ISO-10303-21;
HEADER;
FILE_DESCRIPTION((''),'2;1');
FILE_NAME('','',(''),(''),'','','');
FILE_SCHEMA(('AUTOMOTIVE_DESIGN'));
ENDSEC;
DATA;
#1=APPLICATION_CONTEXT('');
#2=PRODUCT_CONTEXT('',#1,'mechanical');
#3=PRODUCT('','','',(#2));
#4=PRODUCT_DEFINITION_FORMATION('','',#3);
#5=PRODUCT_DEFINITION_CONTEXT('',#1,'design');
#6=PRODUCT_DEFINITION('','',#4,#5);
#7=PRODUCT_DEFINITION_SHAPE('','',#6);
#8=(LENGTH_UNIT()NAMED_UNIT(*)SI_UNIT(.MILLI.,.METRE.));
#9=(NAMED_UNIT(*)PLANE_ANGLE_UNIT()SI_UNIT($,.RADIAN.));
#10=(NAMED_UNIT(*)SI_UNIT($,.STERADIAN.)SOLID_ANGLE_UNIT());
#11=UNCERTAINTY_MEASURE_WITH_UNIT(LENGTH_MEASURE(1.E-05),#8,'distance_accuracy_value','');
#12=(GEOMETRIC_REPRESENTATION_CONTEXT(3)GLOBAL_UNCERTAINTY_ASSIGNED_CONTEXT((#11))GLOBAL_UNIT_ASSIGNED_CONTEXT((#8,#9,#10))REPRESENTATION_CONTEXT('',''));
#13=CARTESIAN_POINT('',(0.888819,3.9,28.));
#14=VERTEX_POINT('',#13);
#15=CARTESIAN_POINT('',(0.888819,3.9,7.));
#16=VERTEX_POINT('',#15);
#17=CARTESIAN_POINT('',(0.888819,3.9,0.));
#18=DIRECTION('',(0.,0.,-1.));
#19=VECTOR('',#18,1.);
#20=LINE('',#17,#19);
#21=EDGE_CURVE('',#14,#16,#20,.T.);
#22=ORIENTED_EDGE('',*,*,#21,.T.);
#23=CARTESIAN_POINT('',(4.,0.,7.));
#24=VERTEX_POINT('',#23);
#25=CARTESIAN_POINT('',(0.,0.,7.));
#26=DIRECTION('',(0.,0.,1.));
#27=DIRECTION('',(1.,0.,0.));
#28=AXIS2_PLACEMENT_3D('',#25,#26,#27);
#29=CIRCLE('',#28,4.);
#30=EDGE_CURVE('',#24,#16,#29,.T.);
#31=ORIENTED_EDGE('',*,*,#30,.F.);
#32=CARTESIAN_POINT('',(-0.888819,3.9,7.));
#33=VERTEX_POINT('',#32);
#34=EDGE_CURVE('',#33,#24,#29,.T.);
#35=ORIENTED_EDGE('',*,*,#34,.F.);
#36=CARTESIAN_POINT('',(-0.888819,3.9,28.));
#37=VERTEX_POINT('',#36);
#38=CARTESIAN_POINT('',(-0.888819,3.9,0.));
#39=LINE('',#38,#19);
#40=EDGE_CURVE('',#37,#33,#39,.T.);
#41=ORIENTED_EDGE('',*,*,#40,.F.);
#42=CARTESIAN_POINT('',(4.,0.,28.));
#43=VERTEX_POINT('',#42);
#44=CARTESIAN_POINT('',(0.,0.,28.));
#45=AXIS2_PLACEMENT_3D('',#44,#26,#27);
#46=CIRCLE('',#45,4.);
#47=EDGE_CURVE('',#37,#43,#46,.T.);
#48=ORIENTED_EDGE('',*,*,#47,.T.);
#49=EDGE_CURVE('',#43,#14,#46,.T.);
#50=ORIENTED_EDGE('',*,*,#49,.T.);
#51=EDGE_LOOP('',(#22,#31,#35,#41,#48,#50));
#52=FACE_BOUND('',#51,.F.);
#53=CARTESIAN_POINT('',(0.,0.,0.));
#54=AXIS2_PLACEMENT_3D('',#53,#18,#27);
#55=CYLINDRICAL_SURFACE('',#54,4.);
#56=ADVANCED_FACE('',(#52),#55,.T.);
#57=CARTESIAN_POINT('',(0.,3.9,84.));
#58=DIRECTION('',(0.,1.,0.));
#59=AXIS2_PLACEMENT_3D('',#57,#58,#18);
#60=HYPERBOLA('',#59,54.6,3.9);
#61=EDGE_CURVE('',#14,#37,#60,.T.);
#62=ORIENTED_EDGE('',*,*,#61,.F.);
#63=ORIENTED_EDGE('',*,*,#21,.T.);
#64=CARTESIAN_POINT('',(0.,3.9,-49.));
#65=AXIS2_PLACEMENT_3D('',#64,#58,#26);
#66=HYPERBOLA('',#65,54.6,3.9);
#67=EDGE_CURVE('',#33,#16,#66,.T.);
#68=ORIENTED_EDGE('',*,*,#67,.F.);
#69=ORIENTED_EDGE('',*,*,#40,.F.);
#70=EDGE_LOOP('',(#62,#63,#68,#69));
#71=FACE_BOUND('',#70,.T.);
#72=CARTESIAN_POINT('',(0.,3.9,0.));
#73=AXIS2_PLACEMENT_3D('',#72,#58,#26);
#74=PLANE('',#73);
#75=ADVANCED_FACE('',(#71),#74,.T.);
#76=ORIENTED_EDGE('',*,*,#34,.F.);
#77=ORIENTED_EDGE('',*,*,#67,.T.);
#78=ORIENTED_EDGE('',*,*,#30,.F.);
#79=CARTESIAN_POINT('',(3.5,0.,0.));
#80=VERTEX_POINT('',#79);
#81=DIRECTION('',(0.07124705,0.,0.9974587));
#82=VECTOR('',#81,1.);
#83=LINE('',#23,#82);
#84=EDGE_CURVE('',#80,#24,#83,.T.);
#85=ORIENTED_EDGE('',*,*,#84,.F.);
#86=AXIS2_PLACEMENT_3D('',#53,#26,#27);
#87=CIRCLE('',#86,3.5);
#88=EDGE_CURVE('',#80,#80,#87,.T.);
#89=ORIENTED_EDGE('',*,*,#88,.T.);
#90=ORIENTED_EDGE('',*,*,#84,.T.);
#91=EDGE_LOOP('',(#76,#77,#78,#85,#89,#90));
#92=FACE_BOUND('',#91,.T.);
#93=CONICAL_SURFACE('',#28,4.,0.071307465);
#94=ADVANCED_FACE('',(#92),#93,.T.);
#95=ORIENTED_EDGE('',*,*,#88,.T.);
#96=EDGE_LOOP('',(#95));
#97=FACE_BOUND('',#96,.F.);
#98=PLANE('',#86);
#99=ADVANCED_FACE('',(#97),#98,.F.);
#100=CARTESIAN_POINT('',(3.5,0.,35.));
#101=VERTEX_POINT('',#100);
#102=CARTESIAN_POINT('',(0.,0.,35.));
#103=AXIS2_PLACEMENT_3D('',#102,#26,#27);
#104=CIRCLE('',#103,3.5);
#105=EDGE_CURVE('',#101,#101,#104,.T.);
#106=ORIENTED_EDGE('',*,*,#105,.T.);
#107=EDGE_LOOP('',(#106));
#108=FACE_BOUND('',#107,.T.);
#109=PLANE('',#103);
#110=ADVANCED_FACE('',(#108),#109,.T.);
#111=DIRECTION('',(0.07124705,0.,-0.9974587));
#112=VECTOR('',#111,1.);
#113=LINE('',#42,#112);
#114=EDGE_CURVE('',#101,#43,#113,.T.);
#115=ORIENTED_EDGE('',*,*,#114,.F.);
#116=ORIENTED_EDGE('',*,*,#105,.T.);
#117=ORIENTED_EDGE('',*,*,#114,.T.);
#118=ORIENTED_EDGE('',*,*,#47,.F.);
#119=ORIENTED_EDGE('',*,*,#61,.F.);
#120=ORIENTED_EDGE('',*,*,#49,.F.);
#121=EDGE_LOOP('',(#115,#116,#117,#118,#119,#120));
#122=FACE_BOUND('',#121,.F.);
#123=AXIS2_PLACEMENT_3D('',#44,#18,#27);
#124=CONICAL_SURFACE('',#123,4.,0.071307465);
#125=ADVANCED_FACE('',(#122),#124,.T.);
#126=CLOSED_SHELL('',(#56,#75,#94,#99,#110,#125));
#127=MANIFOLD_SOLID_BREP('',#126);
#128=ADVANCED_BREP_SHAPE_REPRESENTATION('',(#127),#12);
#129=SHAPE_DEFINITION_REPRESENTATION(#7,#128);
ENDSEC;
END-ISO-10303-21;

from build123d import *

# Parameters (mm, degrees)
F0_R       = 4
F1_DEPTH   = 35
F2_SIZE2   = 7
F2_SIZE    = 0.5
F2_2_SIZE2 = 7
F2_2_SIZE  = 0.5
F3_W       = 10
F3_H       = 35
F4_DEPTH   = 12.5


with BuildPart() as f1:
    # F0 (on Top) → F1 (new body)
    with BuildSketch(Plane.XY):
        Circle(F0_R)
    extrude(amount=F1_DEPTH)

    # F2
    f2_edges = [f1.edges().sort_by_distance(p)[0] for p in [
        (-4, 0, 35),
    ]]
    f2_side = f1.faces().sort_by_distance((0, 0, 35))[0]
    chamfer(f2_edges, length=F2_SIZE, length2=F2_SIZE2, reference=f2_side)

    # F2#2
    f2_2_edges = [f1.edges().sort_by_distance(p)[0] for p in [
        (-4, 0, 0),
    ]]
    f2_2_side = f1.faces().sort_by_distance((0, 0, 0))[0]
    chamfer(f2_2_edges, length=F2_2_SIZE, length2=F2_2_SIZE2, reference=f2_2_side)

    # F3 (on Right) → F4 (cut, symmetric)
    with BuildSketch(Plane.YZ):
        with Locations((8.9, 17.5)):
            Rectangle(F3_W, F3_H)
    extrude(amount=F4_DEPTH, both=True, mode=Mode.SUBTRACT)


solid = f1.part
